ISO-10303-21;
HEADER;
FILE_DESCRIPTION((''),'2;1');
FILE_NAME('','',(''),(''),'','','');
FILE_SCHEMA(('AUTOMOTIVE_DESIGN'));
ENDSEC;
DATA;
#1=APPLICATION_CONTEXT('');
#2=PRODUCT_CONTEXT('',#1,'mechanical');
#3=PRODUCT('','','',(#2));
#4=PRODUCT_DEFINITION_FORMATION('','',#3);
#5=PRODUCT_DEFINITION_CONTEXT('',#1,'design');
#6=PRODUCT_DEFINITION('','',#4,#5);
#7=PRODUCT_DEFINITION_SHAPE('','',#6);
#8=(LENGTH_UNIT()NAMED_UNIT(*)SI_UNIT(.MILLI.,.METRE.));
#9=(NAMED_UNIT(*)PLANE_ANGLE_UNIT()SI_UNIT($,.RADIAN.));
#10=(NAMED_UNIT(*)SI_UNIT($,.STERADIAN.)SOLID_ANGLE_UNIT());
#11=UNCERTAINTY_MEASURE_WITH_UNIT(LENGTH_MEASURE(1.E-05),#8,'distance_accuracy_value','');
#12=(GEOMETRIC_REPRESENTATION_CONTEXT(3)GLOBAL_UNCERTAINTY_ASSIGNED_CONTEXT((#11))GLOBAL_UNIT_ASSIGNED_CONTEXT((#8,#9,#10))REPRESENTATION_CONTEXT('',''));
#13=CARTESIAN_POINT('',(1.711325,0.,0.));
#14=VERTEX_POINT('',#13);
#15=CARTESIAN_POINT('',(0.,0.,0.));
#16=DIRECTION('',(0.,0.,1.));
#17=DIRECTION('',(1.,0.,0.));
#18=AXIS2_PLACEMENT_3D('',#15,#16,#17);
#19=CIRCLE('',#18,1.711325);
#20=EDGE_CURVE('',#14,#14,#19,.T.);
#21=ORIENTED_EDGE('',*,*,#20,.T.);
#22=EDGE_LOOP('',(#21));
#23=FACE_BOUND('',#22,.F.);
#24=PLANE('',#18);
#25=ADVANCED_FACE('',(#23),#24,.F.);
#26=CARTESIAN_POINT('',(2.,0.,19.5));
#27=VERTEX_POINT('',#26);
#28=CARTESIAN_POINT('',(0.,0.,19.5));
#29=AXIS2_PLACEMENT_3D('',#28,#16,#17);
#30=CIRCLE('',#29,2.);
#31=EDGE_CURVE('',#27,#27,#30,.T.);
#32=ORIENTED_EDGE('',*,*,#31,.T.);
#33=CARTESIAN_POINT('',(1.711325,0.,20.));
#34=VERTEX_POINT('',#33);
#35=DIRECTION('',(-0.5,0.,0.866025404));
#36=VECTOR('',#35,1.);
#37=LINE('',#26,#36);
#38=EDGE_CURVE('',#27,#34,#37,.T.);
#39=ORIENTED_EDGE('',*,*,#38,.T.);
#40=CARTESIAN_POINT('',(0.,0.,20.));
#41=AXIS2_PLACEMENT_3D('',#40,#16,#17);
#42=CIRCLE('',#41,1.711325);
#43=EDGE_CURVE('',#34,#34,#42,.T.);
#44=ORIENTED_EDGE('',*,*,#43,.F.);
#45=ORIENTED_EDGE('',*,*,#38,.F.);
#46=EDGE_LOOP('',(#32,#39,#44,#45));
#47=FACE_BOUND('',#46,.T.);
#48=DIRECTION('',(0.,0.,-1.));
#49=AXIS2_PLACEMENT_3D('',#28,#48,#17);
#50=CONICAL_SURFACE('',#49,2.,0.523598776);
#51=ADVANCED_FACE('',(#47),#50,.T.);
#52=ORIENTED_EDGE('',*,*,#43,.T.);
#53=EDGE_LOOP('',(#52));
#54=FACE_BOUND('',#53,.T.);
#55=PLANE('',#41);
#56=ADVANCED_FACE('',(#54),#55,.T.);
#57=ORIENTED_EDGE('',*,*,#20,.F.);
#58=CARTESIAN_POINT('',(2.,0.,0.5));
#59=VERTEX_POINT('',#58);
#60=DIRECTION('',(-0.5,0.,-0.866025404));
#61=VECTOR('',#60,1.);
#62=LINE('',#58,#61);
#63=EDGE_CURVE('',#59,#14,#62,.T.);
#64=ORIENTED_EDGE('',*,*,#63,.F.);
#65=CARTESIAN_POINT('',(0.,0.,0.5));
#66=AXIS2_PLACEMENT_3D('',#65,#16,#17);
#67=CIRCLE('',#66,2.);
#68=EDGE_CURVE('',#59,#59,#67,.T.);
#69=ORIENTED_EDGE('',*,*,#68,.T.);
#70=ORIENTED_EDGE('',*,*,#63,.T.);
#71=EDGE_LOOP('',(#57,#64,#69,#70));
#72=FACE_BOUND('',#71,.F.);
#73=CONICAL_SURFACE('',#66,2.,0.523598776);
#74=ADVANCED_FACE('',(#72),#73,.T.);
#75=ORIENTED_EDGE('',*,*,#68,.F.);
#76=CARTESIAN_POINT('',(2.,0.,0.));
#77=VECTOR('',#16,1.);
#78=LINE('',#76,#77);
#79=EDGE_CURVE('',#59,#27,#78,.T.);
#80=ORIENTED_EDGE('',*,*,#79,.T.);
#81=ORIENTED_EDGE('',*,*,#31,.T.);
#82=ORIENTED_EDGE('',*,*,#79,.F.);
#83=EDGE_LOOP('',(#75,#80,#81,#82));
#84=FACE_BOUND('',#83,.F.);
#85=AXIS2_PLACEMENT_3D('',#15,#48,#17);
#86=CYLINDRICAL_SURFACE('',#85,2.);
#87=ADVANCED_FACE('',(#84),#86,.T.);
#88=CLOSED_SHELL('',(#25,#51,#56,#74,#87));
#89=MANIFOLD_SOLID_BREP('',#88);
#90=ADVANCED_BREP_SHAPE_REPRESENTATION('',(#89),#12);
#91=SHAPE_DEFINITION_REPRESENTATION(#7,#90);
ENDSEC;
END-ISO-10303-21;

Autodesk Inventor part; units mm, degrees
ref_plane "YZ Plane" through (0, 0, 0) normal (1, 0, 0) x (0, 1, 0)
ref_plane "XZ Plane" through (0, 0, 0) normal (0, 1, 0) x (-1, 0, 0)
ref_plane "XY Plane" through (0, 0, 0) normal (0, 0, 1) x (1, 0, 0)
sketch "スケッチ1" plane through (0, 0, 0) normal (0, 0, 1) x (1, 0, 0)
  circle A0 centre (0, 0) radius 2
  dimension "d0" = 4
extrude "押し出し1" add sketch "スケッチ1" along normal blind 20
chamfer "面取り1" distance 0.5 angle 30 2 edges at (-2, 0, 20) (-2, 0, 0) measured on face at (1.9741, -0.3208, 13.3333)
properties part number "平行ピンΦ4.20" material "鋼、高強度、低合金"
